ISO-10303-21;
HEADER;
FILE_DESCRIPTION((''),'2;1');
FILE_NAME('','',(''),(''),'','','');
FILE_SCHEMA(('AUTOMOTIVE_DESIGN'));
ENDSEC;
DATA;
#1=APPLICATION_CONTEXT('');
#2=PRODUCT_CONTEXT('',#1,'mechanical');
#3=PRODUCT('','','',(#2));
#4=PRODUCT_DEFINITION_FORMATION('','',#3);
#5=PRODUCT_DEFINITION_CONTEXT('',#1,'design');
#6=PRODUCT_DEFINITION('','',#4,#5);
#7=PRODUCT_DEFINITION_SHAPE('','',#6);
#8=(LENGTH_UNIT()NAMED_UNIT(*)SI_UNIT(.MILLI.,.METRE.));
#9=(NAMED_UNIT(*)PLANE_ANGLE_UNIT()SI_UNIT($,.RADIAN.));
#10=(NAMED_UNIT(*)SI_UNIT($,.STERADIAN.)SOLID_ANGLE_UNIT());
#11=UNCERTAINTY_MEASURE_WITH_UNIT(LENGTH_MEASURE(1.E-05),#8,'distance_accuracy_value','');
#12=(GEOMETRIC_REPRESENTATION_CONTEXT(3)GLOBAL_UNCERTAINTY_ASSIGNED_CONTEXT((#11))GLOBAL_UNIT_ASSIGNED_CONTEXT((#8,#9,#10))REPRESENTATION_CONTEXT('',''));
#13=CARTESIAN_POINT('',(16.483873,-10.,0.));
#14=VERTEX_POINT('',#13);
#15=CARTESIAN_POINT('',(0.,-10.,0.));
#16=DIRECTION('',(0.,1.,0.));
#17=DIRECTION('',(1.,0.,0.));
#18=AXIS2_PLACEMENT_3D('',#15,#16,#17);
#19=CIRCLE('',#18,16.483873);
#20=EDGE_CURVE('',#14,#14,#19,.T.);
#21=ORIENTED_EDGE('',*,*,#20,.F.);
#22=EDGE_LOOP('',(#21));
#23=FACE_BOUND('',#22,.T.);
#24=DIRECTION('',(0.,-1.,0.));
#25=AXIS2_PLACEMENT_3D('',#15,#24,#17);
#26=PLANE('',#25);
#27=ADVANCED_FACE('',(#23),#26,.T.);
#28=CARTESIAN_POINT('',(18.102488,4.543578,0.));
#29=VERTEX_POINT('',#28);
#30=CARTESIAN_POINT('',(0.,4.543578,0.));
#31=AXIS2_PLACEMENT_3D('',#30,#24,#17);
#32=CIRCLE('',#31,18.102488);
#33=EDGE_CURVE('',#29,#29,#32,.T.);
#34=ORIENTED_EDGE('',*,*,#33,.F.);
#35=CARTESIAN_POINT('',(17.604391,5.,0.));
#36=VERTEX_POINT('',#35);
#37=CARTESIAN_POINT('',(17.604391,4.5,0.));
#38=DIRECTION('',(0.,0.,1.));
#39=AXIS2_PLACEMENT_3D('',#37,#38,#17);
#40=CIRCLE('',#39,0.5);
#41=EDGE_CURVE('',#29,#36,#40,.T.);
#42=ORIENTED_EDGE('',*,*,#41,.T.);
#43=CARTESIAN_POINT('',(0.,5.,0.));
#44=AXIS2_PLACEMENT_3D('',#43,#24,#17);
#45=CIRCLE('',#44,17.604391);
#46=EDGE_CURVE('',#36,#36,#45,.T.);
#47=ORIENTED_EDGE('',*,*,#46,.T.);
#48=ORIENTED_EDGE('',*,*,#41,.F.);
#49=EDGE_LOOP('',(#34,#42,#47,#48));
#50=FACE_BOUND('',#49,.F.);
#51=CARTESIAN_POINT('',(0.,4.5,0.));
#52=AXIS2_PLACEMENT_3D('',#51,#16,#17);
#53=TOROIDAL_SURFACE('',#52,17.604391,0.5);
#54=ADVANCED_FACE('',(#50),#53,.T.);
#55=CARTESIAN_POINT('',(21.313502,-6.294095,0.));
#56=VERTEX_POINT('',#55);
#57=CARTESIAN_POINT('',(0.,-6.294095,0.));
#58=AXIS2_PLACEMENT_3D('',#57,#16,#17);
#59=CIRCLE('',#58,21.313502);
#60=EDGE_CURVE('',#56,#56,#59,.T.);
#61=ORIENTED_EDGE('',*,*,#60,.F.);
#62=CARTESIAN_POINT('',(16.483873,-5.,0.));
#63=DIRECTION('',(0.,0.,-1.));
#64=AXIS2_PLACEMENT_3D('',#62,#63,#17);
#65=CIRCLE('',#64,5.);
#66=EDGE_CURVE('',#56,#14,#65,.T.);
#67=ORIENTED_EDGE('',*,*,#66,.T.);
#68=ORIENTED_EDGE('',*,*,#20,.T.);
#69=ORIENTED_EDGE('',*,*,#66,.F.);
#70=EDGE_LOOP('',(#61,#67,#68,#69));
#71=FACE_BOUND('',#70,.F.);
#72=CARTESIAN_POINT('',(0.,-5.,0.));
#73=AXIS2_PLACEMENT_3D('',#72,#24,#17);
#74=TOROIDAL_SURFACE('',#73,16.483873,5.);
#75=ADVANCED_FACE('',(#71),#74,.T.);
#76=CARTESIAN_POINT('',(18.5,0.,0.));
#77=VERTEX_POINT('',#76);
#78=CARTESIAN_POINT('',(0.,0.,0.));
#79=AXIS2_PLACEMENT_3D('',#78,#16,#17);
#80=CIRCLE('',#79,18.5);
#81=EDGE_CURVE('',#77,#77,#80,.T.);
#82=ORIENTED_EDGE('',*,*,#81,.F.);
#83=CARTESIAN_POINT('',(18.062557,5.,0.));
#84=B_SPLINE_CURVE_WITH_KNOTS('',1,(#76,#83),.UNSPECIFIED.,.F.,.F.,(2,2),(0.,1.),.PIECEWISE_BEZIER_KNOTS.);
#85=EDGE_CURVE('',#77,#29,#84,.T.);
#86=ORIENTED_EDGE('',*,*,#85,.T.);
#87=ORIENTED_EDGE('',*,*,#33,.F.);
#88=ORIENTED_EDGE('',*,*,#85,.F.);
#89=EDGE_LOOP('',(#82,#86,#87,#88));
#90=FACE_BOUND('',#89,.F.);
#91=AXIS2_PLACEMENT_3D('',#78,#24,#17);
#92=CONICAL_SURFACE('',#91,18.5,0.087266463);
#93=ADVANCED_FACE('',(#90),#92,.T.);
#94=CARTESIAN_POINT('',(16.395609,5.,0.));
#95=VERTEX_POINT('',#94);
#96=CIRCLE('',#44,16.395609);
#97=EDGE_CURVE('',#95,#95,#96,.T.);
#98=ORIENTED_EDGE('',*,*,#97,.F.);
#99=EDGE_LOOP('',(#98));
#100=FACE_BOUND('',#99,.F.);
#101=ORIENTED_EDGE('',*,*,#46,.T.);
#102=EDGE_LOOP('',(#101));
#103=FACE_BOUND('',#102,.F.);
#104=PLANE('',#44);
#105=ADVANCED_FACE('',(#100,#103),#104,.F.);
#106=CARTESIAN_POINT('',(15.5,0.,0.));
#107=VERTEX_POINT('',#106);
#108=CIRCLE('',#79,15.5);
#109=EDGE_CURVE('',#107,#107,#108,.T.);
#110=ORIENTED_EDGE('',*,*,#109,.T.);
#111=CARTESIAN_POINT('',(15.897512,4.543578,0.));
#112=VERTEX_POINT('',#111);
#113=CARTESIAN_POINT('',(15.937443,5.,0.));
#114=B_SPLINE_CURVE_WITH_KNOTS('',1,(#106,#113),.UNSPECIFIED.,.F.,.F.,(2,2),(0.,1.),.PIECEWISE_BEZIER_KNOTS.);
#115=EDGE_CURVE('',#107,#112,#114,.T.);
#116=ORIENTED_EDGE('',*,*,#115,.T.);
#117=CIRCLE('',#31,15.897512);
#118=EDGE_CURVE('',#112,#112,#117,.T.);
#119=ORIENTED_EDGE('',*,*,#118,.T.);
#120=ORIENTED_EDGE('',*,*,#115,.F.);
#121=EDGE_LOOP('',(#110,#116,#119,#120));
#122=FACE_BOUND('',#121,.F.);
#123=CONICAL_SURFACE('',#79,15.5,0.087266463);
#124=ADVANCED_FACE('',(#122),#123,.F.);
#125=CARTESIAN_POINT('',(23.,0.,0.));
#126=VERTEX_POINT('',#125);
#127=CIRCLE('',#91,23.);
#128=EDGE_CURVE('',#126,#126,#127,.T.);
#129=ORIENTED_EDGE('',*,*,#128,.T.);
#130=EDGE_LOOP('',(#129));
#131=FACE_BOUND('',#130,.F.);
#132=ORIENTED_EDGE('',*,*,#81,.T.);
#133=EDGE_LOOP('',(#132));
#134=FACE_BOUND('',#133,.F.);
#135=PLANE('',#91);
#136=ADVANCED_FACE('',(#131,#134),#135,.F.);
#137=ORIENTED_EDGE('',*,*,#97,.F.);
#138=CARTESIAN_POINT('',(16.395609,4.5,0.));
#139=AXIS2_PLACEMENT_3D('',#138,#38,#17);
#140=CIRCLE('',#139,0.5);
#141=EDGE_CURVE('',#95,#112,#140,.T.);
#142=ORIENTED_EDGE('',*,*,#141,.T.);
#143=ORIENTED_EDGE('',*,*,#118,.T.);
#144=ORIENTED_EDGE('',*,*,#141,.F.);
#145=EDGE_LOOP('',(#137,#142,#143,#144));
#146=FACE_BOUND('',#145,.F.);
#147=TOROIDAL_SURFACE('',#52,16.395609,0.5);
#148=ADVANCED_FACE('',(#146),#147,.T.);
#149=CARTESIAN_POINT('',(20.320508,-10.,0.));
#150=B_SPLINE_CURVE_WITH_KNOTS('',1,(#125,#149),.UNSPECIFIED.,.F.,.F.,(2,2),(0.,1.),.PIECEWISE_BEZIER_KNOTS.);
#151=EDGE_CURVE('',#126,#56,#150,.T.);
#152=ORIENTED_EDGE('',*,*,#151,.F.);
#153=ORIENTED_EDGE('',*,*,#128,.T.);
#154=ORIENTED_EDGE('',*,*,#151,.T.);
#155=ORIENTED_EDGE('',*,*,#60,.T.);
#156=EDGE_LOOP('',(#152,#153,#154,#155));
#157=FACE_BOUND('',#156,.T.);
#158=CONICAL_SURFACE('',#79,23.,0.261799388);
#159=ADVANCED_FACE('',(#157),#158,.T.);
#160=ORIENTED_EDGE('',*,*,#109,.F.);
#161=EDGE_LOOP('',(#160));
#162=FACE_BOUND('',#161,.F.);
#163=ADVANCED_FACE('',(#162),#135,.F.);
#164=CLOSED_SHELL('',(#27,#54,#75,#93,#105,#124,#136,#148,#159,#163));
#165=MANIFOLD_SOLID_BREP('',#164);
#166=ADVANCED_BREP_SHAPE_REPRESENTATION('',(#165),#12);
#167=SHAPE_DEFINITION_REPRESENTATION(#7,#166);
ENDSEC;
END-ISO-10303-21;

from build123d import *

# Parameters (mm, degrees)
F0_R     = 18.5
F0_R_2   = 15.5
F1_DEPTH = 5
F1_TAPER = 5
F0_R_3   = 23
F2_DEPTH = 10
F2_TAPER = 15
F3_R     = 5
F4_R     = 0.5


with BuildPart() as f1:
    # F0 (on Front) → F1 (new body)
    with BuildSketch(Plane.XZ):
        Circle(F0_R)
        Circle(F0_R_2, mode=Mode.SUBTRACT)
    extrude(amount=-F1_DEPTH, taper=F1_TAPER)

    # F0 (on Front) → F2 (join)
    with BuildSketch(Plane.XZ):
        Circle(F0_R_3)
        Circle(F0_R, mode=Mode.SUBTRACT)
        Circle(F0_R)
        Circle(F0_R_2, mode=Mode.SUBTRACT)
        Circle(F0_R_2)
    extrude(amount=F2_DEPTH, taper=F2_TAPER)

    # F3
    f3_edges = [f1.edges().sort_by_distance(p)[0] for p in [
        (-20.320508, -10, 0),
    ]]
    fillet(f3_edges, radius=F3_R)

    # F4
    f4_edges = [f1.edges().sort_by_distance(p)[0] for p in [
        (-18.062557, 5, 0),
        (-15.937443, 5, 0),
    ]]
    fillet(f4_edges, radius=F4_R)


solid = f1.part
